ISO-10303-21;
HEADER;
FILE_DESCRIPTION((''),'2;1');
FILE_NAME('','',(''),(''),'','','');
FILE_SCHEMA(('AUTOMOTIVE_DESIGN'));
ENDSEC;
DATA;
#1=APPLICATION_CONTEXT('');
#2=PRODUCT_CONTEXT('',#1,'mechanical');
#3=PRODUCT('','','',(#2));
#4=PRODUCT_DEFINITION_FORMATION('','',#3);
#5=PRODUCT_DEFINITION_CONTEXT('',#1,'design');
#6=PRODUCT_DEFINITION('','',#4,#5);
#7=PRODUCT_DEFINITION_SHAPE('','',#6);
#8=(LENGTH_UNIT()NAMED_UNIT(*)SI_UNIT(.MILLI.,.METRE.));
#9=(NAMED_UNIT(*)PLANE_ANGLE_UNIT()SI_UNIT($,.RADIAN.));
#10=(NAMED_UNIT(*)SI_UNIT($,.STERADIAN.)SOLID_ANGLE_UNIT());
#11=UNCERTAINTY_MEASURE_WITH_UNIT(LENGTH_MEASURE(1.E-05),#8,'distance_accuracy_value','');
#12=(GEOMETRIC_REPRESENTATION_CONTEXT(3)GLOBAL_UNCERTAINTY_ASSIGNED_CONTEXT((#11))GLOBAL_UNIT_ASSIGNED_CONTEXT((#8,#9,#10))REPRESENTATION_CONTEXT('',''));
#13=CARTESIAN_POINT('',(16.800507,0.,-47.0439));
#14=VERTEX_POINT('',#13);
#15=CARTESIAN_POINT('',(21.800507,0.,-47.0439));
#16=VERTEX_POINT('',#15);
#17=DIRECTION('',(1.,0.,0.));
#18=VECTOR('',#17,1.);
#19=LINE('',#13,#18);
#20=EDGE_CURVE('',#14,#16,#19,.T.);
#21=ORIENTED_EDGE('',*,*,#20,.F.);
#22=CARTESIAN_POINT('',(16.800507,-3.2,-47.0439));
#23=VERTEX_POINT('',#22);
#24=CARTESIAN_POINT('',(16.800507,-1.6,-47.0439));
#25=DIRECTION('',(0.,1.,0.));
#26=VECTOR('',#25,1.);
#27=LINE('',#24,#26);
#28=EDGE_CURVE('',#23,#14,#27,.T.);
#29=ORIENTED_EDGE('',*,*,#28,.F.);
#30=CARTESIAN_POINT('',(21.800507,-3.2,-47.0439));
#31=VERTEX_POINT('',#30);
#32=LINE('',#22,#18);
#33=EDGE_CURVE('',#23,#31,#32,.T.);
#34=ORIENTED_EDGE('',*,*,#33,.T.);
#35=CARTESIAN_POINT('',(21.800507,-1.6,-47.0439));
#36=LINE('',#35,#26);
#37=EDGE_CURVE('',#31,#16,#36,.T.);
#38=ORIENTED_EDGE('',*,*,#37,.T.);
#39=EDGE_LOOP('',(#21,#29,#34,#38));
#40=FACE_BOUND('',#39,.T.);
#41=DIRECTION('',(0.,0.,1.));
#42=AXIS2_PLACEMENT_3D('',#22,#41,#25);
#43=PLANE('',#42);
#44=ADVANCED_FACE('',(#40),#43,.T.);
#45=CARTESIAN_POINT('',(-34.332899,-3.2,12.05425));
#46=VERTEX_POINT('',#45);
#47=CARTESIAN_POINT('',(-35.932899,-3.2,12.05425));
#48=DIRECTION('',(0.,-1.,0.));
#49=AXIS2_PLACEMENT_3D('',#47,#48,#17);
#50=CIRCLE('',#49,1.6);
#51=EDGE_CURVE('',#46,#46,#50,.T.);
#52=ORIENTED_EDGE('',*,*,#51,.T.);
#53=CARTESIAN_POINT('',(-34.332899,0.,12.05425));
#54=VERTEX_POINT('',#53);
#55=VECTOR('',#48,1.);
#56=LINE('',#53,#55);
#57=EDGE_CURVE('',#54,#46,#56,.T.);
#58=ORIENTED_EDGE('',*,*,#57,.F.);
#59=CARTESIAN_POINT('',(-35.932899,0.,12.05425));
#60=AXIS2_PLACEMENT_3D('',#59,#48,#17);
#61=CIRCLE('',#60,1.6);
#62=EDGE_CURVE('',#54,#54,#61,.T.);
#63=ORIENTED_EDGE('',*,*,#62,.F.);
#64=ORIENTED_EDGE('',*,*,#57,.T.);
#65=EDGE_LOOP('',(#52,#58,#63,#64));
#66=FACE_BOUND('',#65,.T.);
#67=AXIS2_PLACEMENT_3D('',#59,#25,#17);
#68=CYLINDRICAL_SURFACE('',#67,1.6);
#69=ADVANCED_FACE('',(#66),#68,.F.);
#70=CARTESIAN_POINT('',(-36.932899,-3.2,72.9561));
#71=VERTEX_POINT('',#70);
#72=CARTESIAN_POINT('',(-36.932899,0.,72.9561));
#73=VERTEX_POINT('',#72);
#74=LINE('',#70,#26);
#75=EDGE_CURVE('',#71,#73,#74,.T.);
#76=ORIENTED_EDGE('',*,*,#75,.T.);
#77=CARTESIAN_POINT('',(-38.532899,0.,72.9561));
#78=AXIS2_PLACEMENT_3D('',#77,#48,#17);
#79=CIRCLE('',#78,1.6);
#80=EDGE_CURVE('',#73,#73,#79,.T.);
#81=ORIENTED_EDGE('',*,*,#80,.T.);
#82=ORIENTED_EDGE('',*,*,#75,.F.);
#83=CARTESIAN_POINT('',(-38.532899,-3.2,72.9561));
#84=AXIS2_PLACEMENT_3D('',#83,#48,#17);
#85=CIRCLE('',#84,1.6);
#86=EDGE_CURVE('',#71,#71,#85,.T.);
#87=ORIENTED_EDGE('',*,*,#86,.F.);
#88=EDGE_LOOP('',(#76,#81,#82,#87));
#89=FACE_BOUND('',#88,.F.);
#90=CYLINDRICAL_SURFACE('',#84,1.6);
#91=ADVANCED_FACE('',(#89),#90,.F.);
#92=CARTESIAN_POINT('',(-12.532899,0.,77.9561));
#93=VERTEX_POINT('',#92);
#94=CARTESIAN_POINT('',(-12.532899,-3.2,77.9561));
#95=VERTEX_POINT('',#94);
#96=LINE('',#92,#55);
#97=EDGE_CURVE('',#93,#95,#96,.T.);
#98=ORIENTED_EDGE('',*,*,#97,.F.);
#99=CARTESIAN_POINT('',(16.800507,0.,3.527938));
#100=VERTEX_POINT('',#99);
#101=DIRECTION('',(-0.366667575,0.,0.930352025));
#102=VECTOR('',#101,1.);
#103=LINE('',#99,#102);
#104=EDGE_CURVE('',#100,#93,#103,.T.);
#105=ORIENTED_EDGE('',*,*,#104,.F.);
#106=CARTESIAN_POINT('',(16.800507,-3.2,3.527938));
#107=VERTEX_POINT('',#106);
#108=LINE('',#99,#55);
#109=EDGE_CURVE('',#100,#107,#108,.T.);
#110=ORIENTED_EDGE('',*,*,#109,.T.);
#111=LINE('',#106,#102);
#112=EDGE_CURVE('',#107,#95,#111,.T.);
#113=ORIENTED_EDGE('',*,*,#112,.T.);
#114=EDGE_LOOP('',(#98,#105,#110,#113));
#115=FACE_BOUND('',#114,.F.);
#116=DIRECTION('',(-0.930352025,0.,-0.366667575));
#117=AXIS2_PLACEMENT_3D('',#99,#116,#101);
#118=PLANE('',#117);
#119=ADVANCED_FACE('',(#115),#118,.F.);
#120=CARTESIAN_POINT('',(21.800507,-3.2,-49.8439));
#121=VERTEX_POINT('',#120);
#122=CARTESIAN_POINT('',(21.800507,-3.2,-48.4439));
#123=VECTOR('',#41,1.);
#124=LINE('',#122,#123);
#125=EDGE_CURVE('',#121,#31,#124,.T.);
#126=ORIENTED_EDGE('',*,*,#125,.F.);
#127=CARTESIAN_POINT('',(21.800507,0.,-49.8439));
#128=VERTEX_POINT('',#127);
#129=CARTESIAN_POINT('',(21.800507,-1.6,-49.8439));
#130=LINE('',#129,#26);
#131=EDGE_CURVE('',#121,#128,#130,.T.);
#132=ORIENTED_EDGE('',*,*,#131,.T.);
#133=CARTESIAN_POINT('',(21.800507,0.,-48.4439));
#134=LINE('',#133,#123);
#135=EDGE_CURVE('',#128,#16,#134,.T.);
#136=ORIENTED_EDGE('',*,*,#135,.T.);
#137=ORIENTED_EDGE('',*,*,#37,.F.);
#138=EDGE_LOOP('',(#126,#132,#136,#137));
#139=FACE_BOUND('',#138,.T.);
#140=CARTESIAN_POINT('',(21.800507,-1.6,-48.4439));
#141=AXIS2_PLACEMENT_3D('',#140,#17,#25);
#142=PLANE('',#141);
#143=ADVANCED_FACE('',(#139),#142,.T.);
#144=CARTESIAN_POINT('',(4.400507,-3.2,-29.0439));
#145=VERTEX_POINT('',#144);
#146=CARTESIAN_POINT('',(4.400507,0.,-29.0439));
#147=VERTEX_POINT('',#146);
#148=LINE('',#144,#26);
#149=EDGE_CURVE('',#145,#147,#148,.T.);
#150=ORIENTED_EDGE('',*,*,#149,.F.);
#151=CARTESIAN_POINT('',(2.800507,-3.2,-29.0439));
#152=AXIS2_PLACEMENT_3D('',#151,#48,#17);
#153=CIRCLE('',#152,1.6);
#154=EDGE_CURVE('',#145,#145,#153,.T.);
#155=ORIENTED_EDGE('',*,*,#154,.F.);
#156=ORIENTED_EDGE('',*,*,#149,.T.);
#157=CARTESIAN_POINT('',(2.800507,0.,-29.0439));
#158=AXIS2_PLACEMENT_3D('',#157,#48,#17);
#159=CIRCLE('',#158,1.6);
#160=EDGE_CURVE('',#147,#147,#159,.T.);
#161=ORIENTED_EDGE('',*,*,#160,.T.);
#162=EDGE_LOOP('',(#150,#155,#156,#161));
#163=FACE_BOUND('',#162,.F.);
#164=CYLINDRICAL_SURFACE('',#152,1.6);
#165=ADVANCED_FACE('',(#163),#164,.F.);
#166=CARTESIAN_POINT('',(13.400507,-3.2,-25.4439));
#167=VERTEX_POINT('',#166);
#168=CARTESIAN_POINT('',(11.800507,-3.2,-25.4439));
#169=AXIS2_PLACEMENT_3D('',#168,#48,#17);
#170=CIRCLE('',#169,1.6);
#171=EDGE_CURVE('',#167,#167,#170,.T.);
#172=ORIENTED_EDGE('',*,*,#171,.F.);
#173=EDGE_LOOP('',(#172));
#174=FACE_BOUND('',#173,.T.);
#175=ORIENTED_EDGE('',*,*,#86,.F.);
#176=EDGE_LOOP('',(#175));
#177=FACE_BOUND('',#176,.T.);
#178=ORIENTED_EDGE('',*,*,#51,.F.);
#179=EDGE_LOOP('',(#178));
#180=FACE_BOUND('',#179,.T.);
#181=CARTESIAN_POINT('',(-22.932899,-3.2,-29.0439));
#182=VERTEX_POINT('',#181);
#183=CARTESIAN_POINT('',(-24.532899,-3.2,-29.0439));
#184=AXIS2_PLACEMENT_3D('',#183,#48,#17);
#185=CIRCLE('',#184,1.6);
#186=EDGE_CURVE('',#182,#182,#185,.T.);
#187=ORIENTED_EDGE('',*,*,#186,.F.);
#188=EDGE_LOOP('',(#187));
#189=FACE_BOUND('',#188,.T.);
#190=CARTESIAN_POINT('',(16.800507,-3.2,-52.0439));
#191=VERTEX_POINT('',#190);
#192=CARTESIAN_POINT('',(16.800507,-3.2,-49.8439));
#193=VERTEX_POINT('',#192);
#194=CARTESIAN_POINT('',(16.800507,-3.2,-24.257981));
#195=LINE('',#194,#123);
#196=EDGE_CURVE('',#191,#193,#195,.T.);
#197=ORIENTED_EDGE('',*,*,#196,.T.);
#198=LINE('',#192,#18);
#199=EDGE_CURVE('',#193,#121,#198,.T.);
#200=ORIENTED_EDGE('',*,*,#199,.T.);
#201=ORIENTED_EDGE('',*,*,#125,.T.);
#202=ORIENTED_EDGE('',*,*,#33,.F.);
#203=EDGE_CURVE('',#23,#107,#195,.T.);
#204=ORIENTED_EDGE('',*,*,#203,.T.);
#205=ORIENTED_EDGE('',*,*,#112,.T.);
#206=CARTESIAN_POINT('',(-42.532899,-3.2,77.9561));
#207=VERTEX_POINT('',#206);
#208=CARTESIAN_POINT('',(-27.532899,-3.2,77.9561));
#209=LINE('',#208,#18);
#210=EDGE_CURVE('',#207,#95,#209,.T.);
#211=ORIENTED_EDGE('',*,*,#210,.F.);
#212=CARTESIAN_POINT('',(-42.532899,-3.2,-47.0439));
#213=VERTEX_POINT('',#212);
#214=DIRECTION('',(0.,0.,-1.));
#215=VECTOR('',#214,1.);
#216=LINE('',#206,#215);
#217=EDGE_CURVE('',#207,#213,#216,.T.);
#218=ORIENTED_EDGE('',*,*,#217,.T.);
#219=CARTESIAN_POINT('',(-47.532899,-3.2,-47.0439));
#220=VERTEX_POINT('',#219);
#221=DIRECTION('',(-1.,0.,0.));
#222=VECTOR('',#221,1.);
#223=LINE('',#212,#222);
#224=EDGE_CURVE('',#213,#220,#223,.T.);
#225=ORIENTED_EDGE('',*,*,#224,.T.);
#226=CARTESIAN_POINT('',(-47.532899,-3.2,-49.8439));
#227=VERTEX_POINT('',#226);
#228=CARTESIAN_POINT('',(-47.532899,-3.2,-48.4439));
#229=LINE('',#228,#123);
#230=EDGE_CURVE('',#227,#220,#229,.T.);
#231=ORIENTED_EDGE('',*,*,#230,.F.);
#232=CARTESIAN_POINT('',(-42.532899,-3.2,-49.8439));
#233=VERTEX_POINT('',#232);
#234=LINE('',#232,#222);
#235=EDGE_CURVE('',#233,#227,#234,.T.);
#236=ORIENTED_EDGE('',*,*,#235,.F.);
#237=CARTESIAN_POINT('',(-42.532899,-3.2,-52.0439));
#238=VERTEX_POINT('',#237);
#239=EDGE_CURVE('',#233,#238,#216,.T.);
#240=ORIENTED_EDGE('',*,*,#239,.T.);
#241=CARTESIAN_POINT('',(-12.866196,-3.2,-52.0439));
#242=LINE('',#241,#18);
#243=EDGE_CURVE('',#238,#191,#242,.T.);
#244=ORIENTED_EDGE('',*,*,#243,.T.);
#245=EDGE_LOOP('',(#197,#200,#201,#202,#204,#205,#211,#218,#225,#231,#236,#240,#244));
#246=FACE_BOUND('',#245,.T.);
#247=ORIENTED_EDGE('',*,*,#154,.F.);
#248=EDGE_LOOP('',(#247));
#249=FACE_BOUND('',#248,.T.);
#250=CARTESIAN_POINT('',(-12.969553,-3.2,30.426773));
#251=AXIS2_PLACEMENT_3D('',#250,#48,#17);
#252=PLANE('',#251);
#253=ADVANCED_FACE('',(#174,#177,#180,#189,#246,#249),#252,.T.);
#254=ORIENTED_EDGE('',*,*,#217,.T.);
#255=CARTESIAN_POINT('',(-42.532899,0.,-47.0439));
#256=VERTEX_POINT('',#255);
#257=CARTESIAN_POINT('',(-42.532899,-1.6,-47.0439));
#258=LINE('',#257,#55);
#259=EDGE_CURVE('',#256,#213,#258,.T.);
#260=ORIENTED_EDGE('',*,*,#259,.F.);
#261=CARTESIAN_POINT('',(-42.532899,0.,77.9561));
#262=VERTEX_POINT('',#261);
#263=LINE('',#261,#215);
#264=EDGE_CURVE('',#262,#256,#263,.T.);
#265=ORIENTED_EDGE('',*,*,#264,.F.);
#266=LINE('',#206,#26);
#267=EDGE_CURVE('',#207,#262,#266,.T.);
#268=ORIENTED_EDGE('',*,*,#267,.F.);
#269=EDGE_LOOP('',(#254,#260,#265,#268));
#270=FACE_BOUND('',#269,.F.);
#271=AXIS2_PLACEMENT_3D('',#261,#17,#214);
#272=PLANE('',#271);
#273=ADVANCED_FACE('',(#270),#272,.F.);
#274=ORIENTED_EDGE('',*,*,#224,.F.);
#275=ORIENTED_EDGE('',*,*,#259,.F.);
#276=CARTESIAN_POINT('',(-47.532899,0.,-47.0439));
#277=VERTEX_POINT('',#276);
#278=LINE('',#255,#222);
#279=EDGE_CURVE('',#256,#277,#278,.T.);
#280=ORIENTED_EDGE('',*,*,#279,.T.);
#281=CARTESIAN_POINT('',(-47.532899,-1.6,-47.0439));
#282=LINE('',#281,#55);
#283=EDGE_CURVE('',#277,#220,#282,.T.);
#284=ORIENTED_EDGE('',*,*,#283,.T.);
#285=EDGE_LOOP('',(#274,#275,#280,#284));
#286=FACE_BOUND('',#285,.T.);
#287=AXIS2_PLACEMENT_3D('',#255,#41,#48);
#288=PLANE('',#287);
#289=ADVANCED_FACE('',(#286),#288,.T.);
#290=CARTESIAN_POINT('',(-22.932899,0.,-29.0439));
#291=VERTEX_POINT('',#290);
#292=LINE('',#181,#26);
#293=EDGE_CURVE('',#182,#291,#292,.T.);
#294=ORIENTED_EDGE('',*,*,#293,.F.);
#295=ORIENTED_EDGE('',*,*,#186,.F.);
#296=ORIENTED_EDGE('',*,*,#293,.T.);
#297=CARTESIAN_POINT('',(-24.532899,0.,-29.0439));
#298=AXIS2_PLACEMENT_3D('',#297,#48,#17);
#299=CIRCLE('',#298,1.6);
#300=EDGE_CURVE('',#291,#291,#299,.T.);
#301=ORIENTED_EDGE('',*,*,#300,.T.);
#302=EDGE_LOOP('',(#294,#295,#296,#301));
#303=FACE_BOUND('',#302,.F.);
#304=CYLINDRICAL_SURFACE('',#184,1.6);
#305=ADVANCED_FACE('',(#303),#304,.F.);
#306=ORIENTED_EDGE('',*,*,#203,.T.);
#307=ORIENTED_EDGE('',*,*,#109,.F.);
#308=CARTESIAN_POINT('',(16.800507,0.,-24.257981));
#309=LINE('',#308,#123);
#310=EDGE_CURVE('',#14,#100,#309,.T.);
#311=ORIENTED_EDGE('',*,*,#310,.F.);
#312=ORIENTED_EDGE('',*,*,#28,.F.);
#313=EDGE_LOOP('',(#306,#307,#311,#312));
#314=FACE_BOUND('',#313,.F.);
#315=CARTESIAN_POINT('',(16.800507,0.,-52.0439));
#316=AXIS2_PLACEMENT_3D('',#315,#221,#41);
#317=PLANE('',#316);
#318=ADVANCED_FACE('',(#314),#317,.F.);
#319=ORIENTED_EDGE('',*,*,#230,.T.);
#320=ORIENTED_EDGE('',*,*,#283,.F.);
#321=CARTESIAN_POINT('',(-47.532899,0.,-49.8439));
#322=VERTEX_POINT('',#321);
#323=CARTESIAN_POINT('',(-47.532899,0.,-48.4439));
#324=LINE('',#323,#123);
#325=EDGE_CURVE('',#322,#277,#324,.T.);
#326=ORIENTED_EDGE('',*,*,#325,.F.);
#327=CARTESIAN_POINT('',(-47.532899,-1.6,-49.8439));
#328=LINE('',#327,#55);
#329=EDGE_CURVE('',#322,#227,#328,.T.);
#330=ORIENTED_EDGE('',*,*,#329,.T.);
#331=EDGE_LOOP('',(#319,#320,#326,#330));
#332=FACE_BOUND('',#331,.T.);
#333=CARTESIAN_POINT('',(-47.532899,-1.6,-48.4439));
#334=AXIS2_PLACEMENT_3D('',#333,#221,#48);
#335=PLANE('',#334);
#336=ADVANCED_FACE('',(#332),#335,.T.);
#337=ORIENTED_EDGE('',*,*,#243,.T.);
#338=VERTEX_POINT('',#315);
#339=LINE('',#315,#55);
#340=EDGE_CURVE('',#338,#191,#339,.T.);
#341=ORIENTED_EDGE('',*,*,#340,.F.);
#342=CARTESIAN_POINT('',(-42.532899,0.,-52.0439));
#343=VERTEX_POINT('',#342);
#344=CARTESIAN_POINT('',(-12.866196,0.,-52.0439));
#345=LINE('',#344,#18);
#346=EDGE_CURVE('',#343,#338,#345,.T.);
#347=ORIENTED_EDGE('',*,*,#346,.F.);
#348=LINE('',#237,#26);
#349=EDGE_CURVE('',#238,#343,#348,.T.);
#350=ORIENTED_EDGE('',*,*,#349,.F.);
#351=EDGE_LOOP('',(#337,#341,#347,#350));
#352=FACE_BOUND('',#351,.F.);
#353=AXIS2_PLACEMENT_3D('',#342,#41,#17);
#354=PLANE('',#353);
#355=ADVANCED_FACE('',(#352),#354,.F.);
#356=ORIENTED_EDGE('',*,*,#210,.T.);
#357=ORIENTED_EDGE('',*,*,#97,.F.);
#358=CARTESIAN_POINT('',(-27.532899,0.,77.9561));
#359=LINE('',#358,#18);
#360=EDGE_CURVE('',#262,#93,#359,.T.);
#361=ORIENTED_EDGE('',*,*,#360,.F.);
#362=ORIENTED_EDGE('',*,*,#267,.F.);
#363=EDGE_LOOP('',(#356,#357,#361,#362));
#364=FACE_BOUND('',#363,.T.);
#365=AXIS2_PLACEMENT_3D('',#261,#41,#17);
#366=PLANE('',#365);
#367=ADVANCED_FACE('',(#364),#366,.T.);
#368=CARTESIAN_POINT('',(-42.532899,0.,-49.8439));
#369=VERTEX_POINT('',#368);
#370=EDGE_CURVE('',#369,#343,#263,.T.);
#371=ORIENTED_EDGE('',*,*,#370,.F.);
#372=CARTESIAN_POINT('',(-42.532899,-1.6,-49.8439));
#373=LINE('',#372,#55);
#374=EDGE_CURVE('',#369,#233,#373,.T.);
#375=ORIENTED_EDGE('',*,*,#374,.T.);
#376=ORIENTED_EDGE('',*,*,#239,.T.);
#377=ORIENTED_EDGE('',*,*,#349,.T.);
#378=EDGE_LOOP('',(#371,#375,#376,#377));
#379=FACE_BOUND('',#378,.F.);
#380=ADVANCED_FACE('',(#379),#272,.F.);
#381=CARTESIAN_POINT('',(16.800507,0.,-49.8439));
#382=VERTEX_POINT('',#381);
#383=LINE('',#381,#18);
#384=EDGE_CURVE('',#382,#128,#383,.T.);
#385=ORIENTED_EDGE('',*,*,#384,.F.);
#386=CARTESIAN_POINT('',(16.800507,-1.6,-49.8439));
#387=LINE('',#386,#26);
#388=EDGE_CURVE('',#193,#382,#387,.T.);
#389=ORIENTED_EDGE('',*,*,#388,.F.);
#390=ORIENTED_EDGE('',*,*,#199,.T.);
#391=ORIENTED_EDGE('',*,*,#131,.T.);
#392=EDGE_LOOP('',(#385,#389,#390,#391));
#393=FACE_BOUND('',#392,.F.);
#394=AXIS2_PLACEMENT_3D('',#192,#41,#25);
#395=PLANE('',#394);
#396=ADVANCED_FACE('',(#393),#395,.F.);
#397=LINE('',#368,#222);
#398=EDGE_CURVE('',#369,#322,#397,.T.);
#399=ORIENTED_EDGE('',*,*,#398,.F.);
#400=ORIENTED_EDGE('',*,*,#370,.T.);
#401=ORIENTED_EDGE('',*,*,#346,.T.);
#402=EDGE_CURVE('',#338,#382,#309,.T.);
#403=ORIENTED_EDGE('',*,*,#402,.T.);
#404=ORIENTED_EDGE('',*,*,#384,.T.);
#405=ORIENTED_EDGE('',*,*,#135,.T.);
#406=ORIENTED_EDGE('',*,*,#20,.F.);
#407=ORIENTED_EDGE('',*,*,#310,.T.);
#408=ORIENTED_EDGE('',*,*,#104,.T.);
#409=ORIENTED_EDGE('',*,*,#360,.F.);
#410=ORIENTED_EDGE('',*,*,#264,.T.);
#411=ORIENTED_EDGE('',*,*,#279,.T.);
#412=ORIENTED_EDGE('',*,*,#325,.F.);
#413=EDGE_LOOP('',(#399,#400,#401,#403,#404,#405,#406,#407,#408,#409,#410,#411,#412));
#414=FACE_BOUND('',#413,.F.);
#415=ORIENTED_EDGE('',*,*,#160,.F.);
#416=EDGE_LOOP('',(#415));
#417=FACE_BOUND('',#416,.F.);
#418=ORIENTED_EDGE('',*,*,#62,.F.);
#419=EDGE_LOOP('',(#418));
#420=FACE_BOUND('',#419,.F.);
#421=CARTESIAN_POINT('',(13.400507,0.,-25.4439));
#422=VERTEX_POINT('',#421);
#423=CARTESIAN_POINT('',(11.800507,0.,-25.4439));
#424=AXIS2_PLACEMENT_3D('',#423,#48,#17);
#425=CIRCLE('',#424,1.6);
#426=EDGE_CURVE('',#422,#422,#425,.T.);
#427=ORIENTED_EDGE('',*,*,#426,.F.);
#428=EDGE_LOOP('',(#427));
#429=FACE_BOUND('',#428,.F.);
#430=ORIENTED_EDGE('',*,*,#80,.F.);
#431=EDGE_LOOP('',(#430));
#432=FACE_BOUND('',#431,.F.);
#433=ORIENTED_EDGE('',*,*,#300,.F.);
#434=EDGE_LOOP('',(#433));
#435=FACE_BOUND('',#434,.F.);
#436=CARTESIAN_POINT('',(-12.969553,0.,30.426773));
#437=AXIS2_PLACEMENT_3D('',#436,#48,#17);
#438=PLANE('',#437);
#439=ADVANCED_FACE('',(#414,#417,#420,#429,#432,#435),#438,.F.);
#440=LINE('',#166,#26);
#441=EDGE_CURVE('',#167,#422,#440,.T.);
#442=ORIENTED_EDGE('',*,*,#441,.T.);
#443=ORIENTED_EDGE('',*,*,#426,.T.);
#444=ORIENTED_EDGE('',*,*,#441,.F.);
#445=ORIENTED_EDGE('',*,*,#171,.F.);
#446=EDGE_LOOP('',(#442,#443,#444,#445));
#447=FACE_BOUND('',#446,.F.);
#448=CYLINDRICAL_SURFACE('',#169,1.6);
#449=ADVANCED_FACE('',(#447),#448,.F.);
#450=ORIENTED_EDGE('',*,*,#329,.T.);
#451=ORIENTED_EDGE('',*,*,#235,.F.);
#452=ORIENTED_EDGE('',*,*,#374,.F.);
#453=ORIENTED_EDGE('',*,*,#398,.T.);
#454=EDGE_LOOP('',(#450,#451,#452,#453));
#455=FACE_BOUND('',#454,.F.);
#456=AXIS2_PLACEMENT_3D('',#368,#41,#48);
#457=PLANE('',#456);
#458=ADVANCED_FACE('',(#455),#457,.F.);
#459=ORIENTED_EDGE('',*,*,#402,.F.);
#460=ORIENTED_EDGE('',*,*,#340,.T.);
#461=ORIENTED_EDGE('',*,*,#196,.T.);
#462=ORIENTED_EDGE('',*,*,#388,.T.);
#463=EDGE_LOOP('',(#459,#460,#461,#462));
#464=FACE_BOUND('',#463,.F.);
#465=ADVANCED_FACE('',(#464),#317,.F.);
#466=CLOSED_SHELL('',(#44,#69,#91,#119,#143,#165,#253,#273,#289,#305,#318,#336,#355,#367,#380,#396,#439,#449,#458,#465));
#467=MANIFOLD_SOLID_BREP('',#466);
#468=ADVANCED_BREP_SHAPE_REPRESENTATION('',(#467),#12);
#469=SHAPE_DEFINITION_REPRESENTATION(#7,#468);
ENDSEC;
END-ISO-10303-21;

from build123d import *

# Parameters (mm, degrees)
F0_R      = 1.6
F0_W      = 30
F0_H      = 47.428162
F0_W_2    = 59.333406
F0_H_2    = 55.571838
F1_DEPTH  = 3.2
F2_DEPTH  = 2.3
F3_R      = 1.6
F4_DEPTH  = 11
F5_R      = 1.6
F6_DEPTH  = 11
F7_W      = 3.2
F7_H      = 2.8
F8_DEPTH  = 5
F9_W      = 3.2
F9_H      = 2.8
F10_DEPTH = 5
F11_R     = 1.6
F12_DEPTH = 8
F13_R     = 1.6
F14_DEPTH = 10


with BuildPart() as f1:
    # F0 (on Front) → F1 (new body)
    with BuildSketch(Plane.XZ):
        Polygon((-42.532899, 30.527938), (-42.532899, 3.527938), (16.800507, 3.527938), (-12.532899, 77.9561), (-12.532899, 30.527938), align=None)
        with Locations((-35.932899, 12.05425)):
            Circle(F0_R, mode=Mode.SUBTRACT)
        with Locations((-27.532899, 54.242019)):
            Rectangle(F0_W, F0_H)
        with Locations((-12.866196, -24.257981)):
            Rectangle(F0_W_2, F0_H_2)
    extrude(amount=F1_DEPTH)

    # F0 (on Front) → F2 (join)
    with BuildSketch(Plane.XZ):
        Polygon((-42.532899, 30.527938), (-42.532899, 3.527938), (16.800507, 3.527938), (-12.532899, 77.9561), (-12.532899, 30.527938), align=None)
        with Locations((-35.932899, 12.05425)):
            Circle(F0_R, mode=Mode.SUBTRACT)
        with Locations((-12.866196, -24.257981)):
            Rectangle(F0_W_2, F0_H_2)
        with Locations((-27.532899, 54.242019)):
            Rectangle(F0_W, F0_H)
    extrude(amount=F2_DEPTH)

    # F3 (on face) → F4 (cut)
    with BuildSketch(Plane.XZ.offset(3.2)):
        with Locations((11.800507, -25.4439)):
            Circle(F3_R)
    extrude(amount=-F4_DEPTH, mode=Mode.SUBTRACT)

    # F5 (on face) → F6 (cut)
    with BuildSketch(Plane.XZ.offset(3.2)):
        with Locations((-38.532899, 72.9561)):
            Circle(F5_R)
    extrude(amount=-F6_DEPTH, mode=Mode.SUBTRACT)

    # F7 (on face) → F8 (join)
    with BuildSketch(Plane.YZ.offset(16.800507)):
        with Locations((-1.6, -48.4439)):
            Rectangle(F7_W, F7_H)
    extrude(amount=F8_DEPTH)

    # F9 (on face) → F10 (join)
    with BuildSketch(Plane(origin=(-42.532899, 0, 0), x_dir=(0, -1, 0), z_dir=(-1, 0, 0))):
        with Locations((1.6, -48.4439)):
            Rectangle(F9_W, F9_H)
    extrude(amount=F10_DEPTH)

    # F11 (on face) → F12 (cut)
    with BuildSketch(Plane.XZ.offset(3.2)):
        with Locations((-24.532899, -29.0439)):
            Circle(F11_R)
    extrude(amount=-F12_DEPTH, mode=Mode.SUBTRACT)

    # F13 (on face) → F14 (cut)
    with BuildSketch(Plane.XZ.offset(3.2)):
        with Locations((2.800507, -29.0439)):
            Circle(F13_R)
    extrude(amount=-F14_DEPTH, mode=Mode.SUBTRACT)


solid = f1.part
